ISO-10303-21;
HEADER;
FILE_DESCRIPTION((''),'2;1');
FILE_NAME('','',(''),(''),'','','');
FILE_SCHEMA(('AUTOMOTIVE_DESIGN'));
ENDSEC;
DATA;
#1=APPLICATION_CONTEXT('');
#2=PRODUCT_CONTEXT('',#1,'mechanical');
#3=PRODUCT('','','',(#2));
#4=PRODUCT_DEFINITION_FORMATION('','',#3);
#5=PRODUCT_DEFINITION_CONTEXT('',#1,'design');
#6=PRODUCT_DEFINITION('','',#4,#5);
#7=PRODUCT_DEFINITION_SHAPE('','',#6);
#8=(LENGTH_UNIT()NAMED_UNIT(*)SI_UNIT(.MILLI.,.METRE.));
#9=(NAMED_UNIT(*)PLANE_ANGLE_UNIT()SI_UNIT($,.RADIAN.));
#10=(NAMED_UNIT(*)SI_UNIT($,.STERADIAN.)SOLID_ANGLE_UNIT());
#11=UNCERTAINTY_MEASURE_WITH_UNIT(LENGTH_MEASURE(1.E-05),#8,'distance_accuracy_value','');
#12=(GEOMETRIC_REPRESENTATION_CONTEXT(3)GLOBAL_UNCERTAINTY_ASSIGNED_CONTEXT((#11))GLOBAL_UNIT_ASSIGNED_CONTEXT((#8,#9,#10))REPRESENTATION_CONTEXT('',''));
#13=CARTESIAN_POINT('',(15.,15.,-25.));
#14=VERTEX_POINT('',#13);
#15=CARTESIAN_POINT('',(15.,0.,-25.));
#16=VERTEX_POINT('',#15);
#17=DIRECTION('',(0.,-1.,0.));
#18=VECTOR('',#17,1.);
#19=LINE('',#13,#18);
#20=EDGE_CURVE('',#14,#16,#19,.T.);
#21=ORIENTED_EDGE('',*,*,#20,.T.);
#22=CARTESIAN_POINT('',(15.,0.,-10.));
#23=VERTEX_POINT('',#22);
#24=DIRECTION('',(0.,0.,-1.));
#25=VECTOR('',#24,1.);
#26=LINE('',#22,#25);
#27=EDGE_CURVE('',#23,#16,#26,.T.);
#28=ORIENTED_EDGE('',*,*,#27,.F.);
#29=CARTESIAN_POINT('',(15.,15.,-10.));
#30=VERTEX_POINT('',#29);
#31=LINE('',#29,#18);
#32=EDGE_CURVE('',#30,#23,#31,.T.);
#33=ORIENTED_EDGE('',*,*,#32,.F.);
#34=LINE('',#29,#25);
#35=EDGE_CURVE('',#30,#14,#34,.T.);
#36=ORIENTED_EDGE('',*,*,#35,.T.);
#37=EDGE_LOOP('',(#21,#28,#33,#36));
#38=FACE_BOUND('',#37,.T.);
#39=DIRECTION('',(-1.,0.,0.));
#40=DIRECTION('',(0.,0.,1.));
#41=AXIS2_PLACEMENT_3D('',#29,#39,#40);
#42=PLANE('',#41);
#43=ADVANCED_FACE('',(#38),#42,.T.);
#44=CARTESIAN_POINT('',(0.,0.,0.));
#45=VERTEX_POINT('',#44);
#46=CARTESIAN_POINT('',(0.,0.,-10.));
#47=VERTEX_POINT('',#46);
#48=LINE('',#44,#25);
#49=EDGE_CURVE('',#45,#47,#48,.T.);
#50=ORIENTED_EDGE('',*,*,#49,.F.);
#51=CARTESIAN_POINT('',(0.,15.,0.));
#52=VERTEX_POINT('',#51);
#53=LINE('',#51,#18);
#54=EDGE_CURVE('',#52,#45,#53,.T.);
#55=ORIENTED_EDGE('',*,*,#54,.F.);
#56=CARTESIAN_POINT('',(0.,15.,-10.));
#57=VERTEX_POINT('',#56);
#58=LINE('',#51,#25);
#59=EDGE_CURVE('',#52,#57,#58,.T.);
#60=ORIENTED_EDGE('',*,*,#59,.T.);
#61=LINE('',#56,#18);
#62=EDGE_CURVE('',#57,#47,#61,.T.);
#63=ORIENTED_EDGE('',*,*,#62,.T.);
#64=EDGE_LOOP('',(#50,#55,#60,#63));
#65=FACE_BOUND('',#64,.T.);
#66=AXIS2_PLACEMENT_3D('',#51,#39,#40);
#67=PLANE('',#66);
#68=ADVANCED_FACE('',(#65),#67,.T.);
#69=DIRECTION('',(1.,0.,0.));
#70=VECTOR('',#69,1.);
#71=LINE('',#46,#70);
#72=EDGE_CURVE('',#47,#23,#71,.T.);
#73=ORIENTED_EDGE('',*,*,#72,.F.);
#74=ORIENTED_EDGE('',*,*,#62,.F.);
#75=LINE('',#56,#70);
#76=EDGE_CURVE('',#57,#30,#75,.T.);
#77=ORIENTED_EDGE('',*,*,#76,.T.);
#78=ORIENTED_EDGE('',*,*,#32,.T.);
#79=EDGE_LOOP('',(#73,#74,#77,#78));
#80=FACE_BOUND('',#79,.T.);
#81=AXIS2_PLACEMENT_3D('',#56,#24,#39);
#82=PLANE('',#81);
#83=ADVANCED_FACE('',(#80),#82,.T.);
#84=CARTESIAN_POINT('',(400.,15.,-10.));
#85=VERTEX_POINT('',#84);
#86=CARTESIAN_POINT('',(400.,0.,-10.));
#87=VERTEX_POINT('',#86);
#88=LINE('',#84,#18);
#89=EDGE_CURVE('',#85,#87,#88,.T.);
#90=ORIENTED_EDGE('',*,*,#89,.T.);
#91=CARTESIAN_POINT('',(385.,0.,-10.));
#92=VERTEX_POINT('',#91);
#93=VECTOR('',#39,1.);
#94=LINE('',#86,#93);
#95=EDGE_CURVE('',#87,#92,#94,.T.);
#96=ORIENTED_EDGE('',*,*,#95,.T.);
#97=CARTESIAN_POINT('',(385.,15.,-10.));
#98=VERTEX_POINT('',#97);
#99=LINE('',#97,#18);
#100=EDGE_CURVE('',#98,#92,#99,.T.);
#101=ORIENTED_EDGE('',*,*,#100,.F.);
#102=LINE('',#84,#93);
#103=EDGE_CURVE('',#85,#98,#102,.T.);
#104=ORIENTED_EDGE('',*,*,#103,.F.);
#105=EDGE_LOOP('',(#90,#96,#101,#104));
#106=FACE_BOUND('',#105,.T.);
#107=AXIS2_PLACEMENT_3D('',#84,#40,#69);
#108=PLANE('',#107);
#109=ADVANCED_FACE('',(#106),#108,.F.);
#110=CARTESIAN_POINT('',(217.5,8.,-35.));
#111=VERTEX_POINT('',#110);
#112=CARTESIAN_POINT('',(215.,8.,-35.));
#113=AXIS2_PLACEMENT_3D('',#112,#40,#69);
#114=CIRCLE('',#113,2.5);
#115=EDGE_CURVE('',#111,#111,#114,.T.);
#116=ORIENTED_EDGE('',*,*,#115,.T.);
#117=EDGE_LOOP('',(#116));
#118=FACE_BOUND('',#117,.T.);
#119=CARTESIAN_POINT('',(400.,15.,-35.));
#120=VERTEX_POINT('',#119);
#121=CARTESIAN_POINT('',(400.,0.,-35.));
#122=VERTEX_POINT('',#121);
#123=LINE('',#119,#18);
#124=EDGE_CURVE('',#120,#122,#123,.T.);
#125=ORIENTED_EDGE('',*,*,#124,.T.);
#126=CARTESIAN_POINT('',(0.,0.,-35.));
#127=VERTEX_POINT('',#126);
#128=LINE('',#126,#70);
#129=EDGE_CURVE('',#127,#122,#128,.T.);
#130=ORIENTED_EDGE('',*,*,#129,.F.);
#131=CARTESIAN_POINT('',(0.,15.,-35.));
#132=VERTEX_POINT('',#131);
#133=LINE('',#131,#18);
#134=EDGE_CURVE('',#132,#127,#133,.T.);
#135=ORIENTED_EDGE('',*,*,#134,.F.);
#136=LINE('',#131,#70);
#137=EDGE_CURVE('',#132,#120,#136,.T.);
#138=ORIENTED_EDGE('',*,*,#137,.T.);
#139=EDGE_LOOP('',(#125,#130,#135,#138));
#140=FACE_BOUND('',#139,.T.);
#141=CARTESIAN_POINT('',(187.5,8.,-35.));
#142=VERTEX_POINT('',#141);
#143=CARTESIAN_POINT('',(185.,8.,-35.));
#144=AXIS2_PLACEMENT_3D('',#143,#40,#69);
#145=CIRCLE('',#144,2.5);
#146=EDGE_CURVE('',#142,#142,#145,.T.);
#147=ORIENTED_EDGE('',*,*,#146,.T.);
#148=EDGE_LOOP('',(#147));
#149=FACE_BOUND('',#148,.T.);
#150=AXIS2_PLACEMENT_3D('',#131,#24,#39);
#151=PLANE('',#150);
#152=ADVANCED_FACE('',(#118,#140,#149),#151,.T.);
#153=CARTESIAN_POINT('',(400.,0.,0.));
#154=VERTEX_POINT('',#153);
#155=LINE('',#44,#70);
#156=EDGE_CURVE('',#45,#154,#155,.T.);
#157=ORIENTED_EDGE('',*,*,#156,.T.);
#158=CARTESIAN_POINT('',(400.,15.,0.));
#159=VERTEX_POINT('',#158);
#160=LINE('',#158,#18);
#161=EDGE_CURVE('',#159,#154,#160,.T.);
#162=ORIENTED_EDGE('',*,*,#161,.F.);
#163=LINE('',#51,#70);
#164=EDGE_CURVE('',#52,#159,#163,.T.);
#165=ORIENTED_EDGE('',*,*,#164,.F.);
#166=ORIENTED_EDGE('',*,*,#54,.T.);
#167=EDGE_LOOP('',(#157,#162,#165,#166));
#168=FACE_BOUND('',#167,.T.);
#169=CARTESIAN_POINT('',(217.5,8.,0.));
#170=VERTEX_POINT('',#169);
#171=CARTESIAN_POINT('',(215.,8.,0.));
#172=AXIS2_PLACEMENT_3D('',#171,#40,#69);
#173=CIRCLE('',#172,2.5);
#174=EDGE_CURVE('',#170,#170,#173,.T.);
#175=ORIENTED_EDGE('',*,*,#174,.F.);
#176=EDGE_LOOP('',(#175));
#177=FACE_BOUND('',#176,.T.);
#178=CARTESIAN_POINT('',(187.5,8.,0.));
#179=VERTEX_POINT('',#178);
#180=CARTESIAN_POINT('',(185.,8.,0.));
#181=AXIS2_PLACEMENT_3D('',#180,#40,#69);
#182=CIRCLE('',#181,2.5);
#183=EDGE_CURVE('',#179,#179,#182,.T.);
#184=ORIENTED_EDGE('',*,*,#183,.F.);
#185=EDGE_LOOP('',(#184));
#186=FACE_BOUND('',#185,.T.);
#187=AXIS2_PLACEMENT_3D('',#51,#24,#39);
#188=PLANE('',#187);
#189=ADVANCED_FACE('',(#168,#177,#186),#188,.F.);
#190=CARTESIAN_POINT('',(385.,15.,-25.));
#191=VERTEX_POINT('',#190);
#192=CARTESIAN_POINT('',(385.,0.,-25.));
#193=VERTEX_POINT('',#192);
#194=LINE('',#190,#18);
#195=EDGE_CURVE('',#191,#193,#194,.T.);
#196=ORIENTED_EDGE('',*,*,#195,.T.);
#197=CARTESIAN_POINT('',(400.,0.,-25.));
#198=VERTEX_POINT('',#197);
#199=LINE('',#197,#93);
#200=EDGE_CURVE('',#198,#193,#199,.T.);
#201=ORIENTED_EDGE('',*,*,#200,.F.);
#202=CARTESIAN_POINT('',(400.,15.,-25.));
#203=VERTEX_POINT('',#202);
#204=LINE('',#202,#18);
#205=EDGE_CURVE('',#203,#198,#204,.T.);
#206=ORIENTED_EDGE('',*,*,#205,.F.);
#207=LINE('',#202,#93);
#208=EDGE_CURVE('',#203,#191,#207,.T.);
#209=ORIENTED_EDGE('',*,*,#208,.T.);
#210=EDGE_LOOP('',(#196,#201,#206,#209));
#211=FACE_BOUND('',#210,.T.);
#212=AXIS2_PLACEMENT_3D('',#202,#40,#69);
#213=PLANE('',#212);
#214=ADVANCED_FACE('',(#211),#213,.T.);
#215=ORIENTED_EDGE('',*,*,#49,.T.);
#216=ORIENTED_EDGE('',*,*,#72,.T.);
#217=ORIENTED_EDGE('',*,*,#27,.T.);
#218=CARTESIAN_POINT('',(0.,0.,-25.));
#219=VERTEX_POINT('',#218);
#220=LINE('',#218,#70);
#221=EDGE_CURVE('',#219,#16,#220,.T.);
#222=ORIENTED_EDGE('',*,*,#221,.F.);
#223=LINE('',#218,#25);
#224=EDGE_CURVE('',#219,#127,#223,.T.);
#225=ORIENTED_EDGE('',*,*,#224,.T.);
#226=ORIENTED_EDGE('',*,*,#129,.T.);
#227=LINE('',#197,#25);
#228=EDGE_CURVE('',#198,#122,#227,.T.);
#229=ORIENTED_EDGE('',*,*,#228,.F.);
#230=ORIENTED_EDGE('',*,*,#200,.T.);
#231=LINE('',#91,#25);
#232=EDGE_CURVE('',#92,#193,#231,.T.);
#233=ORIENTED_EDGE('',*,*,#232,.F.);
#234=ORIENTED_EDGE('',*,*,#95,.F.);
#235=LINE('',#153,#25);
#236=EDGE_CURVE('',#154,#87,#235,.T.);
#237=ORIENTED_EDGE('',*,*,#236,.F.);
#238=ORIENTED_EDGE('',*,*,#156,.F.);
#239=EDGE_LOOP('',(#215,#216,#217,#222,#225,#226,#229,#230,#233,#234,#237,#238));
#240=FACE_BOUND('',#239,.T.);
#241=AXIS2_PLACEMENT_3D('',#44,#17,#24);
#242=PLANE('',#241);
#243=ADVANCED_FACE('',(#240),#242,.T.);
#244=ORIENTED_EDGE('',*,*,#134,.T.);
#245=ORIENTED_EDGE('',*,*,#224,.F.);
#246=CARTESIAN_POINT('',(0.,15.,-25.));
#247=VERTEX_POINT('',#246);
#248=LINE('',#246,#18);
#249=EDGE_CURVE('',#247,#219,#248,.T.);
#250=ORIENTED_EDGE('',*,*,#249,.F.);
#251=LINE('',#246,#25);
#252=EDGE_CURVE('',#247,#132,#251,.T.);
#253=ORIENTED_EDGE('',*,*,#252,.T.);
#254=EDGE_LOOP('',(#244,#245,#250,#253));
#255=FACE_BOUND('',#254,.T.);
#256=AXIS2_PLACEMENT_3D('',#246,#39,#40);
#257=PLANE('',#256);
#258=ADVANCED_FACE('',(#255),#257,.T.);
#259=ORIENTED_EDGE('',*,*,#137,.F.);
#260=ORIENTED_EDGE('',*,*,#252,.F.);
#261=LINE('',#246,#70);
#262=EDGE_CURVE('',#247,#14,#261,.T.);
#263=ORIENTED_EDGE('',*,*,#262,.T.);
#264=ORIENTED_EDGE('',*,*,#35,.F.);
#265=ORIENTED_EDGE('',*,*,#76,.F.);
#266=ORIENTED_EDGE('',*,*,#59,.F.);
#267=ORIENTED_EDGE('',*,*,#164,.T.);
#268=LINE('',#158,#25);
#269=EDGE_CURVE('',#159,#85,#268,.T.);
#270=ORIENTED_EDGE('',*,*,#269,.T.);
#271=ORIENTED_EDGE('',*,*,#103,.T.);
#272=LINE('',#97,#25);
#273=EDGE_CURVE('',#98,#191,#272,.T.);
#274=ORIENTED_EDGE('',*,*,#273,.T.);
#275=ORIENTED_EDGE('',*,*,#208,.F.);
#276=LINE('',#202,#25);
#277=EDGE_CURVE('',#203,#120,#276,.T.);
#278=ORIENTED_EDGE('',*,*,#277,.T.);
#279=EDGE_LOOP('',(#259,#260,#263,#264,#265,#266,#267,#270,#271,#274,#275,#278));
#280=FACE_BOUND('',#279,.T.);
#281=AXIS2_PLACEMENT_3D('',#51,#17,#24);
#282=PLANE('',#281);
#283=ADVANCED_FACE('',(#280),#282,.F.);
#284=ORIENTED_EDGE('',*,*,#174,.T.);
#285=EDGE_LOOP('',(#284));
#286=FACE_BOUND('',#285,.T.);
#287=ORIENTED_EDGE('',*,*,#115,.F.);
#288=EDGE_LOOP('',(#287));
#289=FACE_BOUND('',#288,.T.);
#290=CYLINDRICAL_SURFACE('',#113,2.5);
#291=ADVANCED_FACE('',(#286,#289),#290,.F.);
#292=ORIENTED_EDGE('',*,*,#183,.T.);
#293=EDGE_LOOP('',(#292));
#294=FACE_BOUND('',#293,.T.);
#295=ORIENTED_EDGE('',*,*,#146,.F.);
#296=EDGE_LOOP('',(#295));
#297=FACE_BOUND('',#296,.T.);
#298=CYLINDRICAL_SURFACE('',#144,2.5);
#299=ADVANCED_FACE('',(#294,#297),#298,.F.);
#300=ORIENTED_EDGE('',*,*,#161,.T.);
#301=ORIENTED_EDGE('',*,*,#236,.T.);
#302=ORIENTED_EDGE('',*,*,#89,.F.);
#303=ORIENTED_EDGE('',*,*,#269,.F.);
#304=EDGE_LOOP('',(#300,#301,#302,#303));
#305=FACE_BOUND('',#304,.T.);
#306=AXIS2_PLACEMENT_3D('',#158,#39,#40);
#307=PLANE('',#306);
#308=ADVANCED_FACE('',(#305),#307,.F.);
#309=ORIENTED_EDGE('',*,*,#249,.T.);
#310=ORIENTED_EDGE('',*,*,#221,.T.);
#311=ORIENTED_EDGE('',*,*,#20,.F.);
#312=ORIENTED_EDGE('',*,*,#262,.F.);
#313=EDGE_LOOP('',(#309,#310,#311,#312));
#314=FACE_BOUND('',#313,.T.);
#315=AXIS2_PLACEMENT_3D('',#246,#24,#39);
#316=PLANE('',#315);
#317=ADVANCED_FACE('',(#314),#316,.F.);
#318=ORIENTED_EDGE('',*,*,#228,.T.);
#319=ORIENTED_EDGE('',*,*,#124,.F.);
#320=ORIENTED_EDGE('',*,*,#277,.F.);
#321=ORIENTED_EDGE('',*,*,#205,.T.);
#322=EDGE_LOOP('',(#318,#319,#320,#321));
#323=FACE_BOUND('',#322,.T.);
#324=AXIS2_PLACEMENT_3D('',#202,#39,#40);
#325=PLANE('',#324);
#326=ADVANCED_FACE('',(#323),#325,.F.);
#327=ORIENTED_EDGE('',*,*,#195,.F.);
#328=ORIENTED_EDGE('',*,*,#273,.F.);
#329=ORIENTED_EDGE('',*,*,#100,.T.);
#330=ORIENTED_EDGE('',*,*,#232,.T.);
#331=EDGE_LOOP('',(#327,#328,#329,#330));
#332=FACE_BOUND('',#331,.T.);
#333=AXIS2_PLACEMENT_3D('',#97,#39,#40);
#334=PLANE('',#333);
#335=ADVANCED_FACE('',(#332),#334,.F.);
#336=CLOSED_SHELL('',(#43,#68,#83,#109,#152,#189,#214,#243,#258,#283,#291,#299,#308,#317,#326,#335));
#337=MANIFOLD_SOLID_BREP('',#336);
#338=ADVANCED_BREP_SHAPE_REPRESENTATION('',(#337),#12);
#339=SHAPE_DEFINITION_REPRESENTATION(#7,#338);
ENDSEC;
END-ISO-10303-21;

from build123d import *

# Parameters (mm, degrees)
EXTRUDE_1_DEPTH     = 15
SKETCH_4_R          = 2.5
CUT_EXTRUDE_1_DEPTH = 35


with BuildPart() as part:
    # 草图3 → 凸台-拉伸1 (new body)
    with BuildSketch(Plane(origin=(0, 0, 0), x_dir=(1, 0, 0), z_dir=(0, 1, 0))):
        Polygon((0, 0), (400, 0), (400, 10), (385, 10), (385, 25), (400, 25), (400, 35), (0, 35), (0, 25), (15, 25), (15, 10), (0, 10), align=None)
    extrude(amount=EXTRUDE_1_DEPTH)

    # 草图4 → 切除-拉伸1 (cut)
    with BuildSketch(Plane.XY):
        with Locations((185, 8)):
            Circle(SKETCH_4_R)
        with Locations((215, 8)):
            Circle(SKETCH_4_R)
    extrude(amount=-CUT_EXTRUDE_1_DEPTH, mode=Mode.SUBTRACT)


solid = part.part
